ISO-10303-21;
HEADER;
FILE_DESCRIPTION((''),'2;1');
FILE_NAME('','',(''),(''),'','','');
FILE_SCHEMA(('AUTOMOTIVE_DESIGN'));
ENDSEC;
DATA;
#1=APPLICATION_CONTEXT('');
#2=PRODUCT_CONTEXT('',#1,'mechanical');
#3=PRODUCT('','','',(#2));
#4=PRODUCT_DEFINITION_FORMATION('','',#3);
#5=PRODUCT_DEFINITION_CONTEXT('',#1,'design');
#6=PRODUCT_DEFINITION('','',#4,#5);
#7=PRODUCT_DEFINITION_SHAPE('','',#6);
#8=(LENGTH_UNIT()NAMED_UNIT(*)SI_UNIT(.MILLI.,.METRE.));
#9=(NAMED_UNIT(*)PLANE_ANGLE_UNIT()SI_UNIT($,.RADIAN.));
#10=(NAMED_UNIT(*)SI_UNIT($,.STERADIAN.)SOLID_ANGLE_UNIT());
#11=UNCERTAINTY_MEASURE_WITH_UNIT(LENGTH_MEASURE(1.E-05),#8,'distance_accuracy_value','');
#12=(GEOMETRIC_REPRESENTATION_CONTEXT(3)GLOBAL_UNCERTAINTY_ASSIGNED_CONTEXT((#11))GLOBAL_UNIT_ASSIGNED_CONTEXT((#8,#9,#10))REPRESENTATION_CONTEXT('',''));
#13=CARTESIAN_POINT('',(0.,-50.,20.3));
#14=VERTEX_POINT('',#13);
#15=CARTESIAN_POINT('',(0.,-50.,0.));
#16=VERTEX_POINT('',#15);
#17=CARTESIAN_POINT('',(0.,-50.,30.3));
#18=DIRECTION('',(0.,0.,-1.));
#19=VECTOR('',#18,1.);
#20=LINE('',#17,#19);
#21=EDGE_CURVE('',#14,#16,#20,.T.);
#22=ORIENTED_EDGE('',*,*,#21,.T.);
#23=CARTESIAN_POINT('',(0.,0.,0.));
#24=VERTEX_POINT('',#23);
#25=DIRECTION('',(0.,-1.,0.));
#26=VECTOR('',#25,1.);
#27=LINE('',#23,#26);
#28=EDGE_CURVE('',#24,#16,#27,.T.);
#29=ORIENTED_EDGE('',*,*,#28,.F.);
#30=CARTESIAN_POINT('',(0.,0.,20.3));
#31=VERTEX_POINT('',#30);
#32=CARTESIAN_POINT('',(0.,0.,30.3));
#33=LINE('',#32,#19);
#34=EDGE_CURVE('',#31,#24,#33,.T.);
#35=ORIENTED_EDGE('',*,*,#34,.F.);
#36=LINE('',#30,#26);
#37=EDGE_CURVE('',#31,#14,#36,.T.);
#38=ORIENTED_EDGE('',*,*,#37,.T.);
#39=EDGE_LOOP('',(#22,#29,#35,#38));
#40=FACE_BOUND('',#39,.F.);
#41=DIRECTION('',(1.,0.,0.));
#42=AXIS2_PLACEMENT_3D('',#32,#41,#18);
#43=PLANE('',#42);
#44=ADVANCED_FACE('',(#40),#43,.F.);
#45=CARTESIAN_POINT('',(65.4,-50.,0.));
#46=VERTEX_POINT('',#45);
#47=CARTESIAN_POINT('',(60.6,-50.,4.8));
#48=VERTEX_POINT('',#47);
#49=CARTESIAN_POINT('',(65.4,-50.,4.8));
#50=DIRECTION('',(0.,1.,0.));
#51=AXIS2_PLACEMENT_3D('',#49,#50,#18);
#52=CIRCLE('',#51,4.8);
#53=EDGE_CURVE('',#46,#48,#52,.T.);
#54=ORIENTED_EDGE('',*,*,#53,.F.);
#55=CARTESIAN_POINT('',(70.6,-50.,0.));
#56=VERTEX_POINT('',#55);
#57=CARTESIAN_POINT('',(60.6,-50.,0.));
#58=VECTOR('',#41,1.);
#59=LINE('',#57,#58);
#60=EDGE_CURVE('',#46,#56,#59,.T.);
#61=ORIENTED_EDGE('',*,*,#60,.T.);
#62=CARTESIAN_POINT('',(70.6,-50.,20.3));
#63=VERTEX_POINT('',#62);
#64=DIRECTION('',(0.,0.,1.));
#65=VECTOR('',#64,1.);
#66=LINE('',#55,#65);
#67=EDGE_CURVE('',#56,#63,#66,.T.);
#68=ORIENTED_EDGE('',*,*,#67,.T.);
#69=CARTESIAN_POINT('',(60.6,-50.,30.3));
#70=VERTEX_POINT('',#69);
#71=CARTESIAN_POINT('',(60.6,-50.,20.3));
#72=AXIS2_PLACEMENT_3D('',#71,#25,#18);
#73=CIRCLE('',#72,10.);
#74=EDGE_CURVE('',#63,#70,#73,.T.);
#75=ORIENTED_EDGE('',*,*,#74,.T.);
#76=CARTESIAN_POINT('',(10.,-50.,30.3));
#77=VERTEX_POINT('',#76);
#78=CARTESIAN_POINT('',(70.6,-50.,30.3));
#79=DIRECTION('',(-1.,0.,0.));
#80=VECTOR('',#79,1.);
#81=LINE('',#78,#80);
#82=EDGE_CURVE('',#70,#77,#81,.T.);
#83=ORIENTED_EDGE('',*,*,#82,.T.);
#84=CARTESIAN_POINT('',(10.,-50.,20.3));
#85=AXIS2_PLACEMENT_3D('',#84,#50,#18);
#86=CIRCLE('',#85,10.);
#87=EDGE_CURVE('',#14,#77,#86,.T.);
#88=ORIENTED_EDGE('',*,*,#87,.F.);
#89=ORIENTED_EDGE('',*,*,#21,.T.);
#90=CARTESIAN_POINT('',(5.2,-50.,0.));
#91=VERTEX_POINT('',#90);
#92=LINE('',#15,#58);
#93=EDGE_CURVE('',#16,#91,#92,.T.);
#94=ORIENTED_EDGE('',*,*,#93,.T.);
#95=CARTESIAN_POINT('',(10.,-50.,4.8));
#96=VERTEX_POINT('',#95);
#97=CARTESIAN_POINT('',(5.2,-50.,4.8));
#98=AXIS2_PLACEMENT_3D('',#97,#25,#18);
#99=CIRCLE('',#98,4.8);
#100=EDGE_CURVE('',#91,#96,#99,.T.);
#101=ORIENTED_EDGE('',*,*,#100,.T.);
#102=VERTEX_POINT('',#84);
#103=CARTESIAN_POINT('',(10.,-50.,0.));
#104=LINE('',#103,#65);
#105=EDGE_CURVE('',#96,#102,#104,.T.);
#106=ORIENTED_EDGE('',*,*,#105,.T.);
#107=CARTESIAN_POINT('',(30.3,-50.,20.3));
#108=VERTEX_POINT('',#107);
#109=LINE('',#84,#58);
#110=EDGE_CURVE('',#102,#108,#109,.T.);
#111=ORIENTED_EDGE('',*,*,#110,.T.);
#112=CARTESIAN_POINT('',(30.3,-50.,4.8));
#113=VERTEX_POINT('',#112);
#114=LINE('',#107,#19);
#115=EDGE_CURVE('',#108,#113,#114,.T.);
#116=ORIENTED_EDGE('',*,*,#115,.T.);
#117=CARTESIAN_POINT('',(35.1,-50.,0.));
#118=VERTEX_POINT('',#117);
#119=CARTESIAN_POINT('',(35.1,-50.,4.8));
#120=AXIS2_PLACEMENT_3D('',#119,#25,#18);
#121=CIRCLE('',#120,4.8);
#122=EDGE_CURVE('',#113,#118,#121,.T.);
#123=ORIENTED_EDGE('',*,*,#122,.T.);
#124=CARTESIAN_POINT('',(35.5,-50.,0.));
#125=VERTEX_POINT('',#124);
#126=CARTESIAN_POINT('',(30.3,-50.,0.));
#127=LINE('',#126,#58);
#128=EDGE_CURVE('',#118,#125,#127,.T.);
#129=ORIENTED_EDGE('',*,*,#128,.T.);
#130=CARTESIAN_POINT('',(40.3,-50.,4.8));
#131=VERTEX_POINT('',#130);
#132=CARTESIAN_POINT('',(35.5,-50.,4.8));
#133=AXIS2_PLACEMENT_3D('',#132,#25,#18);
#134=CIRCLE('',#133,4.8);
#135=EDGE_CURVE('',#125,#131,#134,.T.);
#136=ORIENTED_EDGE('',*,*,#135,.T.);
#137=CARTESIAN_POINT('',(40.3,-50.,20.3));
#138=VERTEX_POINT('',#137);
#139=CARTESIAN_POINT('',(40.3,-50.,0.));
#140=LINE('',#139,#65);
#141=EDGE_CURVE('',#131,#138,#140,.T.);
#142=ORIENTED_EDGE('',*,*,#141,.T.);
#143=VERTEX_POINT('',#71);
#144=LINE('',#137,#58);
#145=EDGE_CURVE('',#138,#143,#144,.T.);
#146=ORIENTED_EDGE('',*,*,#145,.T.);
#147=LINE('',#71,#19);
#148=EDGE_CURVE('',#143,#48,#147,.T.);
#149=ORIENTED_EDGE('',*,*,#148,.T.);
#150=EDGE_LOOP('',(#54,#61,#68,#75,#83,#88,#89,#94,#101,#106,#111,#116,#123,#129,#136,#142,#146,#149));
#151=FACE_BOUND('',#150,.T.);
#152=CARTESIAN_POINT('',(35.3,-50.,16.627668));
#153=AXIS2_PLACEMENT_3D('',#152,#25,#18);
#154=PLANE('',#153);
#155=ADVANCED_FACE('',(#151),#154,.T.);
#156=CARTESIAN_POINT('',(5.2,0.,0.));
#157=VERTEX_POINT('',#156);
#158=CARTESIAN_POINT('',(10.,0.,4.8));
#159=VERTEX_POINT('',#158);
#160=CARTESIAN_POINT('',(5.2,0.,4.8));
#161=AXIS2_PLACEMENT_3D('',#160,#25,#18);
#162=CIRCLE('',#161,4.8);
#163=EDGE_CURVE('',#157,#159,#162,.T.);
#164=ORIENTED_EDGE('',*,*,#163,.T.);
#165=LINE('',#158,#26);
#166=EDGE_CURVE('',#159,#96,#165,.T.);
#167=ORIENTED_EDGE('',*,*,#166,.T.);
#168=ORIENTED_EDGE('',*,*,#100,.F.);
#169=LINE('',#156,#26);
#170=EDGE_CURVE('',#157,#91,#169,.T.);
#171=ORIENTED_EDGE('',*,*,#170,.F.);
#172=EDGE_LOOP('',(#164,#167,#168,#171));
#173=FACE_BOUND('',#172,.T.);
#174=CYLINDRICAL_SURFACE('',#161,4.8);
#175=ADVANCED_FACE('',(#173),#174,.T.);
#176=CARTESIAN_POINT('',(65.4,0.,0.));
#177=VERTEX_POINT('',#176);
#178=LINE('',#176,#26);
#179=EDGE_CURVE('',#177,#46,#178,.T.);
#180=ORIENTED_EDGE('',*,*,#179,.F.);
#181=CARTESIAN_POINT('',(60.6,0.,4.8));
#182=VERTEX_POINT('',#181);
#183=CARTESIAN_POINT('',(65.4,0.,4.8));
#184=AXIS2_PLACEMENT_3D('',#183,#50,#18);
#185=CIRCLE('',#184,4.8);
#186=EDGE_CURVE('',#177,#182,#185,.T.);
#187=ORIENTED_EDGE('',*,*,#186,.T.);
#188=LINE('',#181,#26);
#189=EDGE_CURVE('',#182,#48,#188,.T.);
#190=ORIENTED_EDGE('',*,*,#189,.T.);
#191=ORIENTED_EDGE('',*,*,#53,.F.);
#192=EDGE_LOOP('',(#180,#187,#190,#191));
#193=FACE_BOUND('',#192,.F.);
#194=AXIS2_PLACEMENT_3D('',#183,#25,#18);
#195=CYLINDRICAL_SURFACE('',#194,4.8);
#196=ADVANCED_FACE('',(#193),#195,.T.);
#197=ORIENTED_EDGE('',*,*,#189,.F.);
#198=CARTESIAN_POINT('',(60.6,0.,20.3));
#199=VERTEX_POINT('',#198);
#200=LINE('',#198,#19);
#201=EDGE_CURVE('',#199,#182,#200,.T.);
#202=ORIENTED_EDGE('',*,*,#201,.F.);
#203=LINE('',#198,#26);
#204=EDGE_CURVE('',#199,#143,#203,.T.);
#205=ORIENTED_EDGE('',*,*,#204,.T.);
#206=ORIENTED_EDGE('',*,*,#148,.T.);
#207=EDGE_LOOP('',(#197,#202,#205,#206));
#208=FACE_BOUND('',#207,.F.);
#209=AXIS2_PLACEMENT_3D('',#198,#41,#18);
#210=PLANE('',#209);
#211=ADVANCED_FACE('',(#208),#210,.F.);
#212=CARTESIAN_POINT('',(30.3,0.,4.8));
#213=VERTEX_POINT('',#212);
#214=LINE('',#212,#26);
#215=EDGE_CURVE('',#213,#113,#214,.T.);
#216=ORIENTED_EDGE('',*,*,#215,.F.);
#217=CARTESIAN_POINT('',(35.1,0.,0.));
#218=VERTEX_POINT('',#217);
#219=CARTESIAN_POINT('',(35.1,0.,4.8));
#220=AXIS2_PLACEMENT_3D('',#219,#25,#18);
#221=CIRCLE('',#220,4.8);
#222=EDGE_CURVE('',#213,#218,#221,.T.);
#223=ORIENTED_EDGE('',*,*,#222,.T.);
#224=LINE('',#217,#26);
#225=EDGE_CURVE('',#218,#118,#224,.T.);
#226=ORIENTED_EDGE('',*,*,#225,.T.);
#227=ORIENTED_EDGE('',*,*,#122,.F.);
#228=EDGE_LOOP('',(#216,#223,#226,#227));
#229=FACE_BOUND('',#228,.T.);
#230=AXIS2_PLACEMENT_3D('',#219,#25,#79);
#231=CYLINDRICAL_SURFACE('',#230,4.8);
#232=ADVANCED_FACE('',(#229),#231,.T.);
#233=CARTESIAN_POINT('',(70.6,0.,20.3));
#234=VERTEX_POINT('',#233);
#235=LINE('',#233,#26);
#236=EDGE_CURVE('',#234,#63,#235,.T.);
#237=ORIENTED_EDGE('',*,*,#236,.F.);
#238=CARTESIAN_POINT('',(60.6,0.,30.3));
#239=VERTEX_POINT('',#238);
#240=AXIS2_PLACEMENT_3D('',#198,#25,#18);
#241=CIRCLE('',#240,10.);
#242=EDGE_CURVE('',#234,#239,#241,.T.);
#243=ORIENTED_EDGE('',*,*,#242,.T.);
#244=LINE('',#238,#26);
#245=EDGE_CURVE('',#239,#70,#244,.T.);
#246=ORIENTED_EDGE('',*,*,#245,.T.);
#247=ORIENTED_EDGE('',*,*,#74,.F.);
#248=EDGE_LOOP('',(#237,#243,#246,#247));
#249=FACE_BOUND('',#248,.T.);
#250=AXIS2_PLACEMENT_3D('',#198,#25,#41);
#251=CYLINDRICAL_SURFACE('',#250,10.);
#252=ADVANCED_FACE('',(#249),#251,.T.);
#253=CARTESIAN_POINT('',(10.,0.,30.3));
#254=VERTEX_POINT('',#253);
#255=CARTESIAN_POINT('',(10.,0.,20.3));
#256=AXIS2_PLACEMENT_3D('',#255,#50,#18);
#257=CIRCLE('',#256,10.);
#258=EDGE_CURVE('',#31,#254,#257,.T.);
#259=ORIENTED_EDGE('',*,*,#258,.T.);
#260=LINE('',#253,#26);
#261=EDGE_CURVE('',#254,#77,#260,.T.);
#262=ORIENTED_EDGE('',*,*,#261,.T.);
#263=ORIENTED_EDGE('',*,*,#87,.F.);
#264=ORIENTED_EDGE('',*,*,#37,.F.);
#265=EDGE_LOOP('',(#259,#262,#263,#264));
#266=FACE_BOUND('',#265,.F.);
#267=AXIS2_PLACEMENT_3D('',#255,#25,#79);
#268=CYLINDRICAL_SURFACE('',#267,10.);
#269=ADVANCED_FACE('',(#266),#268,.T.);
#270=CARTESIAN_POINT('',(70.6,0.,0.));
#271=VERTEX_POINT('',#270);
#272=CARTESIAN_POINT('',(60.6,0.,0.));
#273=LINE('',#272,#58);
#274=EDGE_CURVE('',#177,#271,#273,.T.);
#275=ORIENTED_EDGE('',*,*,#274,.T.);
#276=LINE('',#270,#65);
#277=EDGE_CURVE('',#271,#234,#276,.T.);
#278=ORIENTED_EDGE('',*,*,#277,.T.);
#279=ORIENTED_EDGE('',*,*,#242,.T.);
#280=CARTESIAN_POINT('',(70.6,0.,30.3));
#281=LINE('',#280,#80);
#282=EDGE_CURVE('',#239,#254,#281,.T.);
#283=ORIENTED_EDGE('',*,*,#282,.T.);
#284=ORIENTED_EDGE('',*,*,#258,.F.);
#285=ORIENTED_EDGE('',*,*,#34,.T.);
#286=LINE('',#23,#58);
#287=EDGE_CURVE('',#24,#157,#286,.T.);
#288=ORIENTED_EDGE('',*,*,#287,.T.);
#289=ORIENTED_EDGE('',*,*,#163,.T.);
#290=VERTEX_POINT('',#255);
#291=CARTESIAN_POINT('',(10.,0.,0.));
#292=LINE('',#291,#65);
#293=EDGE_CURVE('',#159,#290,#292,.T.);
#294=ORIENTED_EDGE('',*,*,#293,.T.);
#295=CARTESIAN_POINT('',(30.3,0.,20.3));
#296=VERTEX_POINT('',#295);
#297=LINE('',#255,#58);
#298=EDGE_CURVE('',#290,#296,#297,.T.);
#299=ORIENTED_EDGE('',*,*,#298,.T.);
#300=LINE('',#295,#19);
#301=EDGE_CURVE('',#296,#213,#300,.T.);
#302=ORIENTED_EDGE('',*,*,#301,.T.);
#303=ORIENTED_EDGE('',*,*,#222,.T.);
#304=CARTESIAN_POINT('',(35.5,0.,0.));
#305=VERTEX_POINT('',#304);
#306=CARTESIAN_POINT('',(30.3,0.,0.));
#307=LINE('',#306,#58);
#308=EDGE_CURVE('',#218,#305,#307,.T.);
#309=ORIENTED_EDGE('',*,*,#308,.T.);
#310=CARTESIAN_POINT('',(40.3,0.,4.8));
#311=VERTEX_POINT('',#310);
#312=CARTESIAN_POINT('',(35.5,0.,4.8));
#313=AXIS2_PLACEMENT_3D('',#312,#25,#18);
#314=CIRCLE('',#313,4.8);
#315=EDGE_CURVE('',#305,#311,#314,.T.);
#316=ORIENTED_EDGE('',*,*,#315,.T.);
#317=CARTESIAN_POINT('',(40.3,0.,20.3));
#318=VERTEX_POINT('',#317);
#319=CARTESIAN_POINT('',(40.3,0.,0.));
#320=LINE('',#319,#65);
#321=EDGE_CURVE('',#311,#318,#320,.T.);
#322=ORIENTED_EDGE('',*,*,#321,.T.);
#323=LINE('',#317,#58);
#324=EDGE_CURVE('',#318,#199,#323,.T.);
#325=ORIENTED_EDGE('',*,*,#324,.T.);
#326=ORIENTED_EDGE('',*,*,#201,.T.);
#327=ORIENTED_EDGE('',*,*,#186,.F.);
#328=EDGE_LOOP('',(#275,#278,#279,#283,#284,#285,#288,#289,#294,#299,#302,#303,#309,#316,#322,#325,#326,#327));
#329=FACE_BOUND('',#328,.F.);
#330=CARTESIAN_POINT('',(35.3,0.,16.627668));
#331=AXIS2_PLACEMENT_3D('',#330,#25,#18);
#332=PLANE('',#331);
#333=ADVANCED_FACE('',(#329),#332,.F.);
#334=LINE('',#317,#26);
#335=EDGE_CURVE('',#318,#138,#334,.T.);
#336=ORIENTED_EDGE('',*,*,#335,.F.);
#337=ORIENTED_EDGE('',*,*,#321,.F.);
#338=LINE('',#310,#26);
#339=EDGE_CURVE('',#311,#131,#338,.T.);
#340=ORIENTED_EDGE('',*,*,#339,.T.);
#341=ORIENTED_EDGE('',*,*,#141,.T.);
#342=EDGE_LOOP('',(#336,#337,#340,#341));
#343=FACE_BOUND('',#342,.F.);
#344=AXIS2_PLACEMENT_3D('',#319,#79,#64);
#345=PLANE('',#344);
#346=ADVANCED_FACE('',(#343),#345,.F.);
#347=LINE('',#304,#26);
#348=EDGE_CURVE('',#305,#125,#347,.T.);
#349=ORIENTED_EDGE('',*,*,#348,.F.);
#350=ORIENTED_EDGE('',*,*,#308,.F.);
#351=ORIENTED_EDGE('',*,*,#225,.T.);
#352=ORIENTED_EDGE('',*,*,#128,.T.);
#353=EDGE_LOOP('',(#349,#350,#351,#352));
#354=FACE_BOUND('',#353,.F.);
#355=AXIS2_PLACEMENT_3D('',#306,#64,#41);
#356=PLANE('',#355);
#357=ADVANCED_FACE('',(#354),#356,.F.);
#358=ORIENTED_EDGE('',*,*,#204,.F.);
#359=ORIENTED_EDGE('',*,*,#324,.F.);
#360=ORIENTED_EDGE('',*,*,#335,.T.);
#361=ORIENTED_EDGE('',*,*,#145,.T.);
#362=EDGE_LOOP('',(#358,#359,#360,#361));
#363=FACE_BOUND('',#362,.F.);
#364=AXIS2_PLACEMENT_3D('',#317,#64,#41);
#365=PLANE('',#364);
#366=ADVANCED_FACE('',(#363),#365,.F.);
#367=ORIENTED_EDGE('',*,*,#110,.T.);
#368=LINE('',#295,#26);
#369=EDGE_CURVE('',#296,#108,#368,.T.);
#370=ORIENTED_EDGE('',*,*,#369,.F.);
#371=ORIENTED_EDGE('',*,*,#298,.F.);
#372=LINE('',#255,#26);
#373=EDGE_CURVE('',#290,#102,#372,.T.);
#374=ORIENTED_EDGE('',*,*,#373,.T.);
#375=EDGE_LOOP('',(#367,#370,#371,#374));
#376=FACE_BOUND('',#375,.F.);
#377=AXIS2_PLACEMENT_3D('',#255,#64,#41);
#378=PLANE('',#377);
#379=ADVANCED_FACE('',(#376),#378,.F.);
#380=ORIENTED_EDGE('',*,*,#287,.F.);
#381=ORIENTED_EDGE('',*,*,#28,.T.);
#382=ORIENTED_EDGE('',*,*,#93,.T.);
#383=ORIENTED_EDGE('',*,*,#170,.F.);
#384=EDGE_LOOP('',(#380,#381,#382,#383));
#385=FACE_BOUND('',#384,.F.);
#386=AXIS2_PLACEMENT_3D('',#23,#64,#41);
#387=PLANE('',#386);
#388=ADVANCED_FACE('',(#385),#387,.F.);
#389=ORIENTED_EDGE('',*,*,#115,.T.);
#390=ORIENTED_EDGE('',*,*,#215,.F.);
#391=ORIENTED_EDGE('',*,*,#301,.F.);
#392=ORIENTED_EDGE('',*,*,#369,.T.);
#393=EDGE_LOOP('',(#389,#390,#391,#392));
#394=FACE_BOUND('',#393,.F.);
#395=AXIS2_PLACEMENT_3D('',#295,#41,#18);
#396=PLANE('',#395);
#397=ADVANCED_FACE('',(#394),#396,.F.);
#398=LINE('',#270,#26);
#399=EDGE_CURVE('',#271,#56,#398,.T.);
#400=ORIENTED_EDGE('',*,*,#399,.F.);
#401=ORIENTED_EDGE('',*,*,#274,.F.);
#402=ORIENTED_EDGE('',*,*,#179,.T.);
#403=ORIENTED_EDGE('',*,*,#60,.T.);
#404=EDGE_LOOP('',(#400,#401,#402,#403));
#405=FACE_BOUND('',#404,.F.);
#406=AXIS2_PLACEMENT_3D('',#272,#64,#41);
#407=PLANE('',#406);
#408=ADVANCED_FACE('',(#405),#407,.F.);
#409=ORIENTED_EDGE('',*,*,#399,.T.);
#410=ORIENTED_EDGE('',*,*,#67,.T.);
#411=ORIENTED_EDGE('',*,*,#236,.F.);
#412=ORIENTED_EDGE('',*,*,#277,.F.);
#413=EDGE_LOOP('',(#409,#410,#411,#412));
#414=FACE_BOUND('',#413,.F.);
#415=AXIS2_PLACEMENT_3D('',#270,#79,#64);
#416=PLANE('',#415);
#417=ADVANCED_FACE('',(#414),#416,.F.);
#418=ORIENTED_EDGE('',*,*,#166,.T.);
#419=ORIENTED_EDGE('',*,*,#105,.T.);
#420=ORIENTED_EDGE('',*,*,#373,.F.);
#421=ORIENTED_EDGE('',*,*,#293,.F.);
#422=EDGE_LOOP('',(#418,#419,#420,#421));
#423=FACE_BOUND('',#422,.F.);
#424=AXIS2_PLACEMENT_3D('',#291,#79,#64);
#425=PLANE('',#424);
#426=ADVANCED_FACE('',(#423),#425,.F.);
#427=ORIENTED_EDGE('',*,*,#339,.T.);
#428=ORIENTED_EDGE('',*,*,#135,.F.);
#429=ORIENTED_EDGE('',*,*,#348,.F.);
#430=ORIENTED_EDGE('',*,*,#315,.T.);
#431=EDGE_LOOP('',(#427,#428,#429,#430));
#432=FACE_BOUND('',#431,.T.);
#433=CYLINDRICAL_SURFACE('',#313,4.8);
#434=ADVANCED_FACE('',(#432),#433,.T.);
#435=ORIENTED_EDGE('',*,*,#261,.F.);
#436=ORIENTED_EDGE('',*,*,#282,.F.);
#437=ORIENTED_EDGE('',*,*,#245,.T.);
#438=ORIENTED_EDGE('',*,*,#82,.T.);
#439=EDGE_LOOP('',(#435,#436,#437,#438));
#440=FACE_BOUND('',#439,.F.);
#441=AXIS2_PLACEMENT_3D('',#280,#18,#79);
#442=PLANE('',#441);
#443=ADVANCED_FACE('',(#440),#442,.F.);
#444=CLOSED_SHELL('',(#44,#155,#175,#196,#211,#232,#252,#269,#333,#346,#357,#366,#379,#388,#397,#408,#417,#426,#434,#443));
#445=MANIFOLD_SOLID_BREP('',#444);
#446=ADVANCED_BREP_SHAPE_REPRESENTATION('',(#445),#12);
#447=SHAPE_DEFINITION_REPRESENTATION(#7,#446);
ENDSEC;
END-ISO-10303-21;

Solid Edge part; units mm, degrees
sketch "Sketch1" plane through (0, 0, 0) normal (0, -1, 0) x (1, 0, 0)
  line L0 (0, 30.3) -> (0, 0)
  line L1 (0, 0) -> (10, 0)
  line L2 (10, 0) -> (10, 20.3)
  line L3 (10, 20.3) -> (30.3, 20.3)
  line L4 (30.3, 20.3) -> (30.3, 0)
  line L5 (30.3, 0) -> (40.3, 0)
  line L6 (40.3, 0) -> (40.3, 20.3)
  line L7 (40.3, 20.3) -> (60.6, 20.3)
  line L8 (60.6, 20.3) -> (60.6, 0)
  line L9 (60.6, 0) -> (70.6, 0)
  line L10 (70.6, 0) -> (70.6, 30.3)
  line L11 (70.6, 30.3) -> (0, 30.3)
extrude "Protrusion1" add sketch "Sketch1" along normal blind 50
fillet "Round1" radius 10 2 edges at (0, -25, 30.3) (70.6, -25, 30.3)
fillet "Round2" radius 4.8 4 edges at (10, -25, 0) (30.3, -25, 0) (40.3, -25, 0) (60.6, -25, 0)
